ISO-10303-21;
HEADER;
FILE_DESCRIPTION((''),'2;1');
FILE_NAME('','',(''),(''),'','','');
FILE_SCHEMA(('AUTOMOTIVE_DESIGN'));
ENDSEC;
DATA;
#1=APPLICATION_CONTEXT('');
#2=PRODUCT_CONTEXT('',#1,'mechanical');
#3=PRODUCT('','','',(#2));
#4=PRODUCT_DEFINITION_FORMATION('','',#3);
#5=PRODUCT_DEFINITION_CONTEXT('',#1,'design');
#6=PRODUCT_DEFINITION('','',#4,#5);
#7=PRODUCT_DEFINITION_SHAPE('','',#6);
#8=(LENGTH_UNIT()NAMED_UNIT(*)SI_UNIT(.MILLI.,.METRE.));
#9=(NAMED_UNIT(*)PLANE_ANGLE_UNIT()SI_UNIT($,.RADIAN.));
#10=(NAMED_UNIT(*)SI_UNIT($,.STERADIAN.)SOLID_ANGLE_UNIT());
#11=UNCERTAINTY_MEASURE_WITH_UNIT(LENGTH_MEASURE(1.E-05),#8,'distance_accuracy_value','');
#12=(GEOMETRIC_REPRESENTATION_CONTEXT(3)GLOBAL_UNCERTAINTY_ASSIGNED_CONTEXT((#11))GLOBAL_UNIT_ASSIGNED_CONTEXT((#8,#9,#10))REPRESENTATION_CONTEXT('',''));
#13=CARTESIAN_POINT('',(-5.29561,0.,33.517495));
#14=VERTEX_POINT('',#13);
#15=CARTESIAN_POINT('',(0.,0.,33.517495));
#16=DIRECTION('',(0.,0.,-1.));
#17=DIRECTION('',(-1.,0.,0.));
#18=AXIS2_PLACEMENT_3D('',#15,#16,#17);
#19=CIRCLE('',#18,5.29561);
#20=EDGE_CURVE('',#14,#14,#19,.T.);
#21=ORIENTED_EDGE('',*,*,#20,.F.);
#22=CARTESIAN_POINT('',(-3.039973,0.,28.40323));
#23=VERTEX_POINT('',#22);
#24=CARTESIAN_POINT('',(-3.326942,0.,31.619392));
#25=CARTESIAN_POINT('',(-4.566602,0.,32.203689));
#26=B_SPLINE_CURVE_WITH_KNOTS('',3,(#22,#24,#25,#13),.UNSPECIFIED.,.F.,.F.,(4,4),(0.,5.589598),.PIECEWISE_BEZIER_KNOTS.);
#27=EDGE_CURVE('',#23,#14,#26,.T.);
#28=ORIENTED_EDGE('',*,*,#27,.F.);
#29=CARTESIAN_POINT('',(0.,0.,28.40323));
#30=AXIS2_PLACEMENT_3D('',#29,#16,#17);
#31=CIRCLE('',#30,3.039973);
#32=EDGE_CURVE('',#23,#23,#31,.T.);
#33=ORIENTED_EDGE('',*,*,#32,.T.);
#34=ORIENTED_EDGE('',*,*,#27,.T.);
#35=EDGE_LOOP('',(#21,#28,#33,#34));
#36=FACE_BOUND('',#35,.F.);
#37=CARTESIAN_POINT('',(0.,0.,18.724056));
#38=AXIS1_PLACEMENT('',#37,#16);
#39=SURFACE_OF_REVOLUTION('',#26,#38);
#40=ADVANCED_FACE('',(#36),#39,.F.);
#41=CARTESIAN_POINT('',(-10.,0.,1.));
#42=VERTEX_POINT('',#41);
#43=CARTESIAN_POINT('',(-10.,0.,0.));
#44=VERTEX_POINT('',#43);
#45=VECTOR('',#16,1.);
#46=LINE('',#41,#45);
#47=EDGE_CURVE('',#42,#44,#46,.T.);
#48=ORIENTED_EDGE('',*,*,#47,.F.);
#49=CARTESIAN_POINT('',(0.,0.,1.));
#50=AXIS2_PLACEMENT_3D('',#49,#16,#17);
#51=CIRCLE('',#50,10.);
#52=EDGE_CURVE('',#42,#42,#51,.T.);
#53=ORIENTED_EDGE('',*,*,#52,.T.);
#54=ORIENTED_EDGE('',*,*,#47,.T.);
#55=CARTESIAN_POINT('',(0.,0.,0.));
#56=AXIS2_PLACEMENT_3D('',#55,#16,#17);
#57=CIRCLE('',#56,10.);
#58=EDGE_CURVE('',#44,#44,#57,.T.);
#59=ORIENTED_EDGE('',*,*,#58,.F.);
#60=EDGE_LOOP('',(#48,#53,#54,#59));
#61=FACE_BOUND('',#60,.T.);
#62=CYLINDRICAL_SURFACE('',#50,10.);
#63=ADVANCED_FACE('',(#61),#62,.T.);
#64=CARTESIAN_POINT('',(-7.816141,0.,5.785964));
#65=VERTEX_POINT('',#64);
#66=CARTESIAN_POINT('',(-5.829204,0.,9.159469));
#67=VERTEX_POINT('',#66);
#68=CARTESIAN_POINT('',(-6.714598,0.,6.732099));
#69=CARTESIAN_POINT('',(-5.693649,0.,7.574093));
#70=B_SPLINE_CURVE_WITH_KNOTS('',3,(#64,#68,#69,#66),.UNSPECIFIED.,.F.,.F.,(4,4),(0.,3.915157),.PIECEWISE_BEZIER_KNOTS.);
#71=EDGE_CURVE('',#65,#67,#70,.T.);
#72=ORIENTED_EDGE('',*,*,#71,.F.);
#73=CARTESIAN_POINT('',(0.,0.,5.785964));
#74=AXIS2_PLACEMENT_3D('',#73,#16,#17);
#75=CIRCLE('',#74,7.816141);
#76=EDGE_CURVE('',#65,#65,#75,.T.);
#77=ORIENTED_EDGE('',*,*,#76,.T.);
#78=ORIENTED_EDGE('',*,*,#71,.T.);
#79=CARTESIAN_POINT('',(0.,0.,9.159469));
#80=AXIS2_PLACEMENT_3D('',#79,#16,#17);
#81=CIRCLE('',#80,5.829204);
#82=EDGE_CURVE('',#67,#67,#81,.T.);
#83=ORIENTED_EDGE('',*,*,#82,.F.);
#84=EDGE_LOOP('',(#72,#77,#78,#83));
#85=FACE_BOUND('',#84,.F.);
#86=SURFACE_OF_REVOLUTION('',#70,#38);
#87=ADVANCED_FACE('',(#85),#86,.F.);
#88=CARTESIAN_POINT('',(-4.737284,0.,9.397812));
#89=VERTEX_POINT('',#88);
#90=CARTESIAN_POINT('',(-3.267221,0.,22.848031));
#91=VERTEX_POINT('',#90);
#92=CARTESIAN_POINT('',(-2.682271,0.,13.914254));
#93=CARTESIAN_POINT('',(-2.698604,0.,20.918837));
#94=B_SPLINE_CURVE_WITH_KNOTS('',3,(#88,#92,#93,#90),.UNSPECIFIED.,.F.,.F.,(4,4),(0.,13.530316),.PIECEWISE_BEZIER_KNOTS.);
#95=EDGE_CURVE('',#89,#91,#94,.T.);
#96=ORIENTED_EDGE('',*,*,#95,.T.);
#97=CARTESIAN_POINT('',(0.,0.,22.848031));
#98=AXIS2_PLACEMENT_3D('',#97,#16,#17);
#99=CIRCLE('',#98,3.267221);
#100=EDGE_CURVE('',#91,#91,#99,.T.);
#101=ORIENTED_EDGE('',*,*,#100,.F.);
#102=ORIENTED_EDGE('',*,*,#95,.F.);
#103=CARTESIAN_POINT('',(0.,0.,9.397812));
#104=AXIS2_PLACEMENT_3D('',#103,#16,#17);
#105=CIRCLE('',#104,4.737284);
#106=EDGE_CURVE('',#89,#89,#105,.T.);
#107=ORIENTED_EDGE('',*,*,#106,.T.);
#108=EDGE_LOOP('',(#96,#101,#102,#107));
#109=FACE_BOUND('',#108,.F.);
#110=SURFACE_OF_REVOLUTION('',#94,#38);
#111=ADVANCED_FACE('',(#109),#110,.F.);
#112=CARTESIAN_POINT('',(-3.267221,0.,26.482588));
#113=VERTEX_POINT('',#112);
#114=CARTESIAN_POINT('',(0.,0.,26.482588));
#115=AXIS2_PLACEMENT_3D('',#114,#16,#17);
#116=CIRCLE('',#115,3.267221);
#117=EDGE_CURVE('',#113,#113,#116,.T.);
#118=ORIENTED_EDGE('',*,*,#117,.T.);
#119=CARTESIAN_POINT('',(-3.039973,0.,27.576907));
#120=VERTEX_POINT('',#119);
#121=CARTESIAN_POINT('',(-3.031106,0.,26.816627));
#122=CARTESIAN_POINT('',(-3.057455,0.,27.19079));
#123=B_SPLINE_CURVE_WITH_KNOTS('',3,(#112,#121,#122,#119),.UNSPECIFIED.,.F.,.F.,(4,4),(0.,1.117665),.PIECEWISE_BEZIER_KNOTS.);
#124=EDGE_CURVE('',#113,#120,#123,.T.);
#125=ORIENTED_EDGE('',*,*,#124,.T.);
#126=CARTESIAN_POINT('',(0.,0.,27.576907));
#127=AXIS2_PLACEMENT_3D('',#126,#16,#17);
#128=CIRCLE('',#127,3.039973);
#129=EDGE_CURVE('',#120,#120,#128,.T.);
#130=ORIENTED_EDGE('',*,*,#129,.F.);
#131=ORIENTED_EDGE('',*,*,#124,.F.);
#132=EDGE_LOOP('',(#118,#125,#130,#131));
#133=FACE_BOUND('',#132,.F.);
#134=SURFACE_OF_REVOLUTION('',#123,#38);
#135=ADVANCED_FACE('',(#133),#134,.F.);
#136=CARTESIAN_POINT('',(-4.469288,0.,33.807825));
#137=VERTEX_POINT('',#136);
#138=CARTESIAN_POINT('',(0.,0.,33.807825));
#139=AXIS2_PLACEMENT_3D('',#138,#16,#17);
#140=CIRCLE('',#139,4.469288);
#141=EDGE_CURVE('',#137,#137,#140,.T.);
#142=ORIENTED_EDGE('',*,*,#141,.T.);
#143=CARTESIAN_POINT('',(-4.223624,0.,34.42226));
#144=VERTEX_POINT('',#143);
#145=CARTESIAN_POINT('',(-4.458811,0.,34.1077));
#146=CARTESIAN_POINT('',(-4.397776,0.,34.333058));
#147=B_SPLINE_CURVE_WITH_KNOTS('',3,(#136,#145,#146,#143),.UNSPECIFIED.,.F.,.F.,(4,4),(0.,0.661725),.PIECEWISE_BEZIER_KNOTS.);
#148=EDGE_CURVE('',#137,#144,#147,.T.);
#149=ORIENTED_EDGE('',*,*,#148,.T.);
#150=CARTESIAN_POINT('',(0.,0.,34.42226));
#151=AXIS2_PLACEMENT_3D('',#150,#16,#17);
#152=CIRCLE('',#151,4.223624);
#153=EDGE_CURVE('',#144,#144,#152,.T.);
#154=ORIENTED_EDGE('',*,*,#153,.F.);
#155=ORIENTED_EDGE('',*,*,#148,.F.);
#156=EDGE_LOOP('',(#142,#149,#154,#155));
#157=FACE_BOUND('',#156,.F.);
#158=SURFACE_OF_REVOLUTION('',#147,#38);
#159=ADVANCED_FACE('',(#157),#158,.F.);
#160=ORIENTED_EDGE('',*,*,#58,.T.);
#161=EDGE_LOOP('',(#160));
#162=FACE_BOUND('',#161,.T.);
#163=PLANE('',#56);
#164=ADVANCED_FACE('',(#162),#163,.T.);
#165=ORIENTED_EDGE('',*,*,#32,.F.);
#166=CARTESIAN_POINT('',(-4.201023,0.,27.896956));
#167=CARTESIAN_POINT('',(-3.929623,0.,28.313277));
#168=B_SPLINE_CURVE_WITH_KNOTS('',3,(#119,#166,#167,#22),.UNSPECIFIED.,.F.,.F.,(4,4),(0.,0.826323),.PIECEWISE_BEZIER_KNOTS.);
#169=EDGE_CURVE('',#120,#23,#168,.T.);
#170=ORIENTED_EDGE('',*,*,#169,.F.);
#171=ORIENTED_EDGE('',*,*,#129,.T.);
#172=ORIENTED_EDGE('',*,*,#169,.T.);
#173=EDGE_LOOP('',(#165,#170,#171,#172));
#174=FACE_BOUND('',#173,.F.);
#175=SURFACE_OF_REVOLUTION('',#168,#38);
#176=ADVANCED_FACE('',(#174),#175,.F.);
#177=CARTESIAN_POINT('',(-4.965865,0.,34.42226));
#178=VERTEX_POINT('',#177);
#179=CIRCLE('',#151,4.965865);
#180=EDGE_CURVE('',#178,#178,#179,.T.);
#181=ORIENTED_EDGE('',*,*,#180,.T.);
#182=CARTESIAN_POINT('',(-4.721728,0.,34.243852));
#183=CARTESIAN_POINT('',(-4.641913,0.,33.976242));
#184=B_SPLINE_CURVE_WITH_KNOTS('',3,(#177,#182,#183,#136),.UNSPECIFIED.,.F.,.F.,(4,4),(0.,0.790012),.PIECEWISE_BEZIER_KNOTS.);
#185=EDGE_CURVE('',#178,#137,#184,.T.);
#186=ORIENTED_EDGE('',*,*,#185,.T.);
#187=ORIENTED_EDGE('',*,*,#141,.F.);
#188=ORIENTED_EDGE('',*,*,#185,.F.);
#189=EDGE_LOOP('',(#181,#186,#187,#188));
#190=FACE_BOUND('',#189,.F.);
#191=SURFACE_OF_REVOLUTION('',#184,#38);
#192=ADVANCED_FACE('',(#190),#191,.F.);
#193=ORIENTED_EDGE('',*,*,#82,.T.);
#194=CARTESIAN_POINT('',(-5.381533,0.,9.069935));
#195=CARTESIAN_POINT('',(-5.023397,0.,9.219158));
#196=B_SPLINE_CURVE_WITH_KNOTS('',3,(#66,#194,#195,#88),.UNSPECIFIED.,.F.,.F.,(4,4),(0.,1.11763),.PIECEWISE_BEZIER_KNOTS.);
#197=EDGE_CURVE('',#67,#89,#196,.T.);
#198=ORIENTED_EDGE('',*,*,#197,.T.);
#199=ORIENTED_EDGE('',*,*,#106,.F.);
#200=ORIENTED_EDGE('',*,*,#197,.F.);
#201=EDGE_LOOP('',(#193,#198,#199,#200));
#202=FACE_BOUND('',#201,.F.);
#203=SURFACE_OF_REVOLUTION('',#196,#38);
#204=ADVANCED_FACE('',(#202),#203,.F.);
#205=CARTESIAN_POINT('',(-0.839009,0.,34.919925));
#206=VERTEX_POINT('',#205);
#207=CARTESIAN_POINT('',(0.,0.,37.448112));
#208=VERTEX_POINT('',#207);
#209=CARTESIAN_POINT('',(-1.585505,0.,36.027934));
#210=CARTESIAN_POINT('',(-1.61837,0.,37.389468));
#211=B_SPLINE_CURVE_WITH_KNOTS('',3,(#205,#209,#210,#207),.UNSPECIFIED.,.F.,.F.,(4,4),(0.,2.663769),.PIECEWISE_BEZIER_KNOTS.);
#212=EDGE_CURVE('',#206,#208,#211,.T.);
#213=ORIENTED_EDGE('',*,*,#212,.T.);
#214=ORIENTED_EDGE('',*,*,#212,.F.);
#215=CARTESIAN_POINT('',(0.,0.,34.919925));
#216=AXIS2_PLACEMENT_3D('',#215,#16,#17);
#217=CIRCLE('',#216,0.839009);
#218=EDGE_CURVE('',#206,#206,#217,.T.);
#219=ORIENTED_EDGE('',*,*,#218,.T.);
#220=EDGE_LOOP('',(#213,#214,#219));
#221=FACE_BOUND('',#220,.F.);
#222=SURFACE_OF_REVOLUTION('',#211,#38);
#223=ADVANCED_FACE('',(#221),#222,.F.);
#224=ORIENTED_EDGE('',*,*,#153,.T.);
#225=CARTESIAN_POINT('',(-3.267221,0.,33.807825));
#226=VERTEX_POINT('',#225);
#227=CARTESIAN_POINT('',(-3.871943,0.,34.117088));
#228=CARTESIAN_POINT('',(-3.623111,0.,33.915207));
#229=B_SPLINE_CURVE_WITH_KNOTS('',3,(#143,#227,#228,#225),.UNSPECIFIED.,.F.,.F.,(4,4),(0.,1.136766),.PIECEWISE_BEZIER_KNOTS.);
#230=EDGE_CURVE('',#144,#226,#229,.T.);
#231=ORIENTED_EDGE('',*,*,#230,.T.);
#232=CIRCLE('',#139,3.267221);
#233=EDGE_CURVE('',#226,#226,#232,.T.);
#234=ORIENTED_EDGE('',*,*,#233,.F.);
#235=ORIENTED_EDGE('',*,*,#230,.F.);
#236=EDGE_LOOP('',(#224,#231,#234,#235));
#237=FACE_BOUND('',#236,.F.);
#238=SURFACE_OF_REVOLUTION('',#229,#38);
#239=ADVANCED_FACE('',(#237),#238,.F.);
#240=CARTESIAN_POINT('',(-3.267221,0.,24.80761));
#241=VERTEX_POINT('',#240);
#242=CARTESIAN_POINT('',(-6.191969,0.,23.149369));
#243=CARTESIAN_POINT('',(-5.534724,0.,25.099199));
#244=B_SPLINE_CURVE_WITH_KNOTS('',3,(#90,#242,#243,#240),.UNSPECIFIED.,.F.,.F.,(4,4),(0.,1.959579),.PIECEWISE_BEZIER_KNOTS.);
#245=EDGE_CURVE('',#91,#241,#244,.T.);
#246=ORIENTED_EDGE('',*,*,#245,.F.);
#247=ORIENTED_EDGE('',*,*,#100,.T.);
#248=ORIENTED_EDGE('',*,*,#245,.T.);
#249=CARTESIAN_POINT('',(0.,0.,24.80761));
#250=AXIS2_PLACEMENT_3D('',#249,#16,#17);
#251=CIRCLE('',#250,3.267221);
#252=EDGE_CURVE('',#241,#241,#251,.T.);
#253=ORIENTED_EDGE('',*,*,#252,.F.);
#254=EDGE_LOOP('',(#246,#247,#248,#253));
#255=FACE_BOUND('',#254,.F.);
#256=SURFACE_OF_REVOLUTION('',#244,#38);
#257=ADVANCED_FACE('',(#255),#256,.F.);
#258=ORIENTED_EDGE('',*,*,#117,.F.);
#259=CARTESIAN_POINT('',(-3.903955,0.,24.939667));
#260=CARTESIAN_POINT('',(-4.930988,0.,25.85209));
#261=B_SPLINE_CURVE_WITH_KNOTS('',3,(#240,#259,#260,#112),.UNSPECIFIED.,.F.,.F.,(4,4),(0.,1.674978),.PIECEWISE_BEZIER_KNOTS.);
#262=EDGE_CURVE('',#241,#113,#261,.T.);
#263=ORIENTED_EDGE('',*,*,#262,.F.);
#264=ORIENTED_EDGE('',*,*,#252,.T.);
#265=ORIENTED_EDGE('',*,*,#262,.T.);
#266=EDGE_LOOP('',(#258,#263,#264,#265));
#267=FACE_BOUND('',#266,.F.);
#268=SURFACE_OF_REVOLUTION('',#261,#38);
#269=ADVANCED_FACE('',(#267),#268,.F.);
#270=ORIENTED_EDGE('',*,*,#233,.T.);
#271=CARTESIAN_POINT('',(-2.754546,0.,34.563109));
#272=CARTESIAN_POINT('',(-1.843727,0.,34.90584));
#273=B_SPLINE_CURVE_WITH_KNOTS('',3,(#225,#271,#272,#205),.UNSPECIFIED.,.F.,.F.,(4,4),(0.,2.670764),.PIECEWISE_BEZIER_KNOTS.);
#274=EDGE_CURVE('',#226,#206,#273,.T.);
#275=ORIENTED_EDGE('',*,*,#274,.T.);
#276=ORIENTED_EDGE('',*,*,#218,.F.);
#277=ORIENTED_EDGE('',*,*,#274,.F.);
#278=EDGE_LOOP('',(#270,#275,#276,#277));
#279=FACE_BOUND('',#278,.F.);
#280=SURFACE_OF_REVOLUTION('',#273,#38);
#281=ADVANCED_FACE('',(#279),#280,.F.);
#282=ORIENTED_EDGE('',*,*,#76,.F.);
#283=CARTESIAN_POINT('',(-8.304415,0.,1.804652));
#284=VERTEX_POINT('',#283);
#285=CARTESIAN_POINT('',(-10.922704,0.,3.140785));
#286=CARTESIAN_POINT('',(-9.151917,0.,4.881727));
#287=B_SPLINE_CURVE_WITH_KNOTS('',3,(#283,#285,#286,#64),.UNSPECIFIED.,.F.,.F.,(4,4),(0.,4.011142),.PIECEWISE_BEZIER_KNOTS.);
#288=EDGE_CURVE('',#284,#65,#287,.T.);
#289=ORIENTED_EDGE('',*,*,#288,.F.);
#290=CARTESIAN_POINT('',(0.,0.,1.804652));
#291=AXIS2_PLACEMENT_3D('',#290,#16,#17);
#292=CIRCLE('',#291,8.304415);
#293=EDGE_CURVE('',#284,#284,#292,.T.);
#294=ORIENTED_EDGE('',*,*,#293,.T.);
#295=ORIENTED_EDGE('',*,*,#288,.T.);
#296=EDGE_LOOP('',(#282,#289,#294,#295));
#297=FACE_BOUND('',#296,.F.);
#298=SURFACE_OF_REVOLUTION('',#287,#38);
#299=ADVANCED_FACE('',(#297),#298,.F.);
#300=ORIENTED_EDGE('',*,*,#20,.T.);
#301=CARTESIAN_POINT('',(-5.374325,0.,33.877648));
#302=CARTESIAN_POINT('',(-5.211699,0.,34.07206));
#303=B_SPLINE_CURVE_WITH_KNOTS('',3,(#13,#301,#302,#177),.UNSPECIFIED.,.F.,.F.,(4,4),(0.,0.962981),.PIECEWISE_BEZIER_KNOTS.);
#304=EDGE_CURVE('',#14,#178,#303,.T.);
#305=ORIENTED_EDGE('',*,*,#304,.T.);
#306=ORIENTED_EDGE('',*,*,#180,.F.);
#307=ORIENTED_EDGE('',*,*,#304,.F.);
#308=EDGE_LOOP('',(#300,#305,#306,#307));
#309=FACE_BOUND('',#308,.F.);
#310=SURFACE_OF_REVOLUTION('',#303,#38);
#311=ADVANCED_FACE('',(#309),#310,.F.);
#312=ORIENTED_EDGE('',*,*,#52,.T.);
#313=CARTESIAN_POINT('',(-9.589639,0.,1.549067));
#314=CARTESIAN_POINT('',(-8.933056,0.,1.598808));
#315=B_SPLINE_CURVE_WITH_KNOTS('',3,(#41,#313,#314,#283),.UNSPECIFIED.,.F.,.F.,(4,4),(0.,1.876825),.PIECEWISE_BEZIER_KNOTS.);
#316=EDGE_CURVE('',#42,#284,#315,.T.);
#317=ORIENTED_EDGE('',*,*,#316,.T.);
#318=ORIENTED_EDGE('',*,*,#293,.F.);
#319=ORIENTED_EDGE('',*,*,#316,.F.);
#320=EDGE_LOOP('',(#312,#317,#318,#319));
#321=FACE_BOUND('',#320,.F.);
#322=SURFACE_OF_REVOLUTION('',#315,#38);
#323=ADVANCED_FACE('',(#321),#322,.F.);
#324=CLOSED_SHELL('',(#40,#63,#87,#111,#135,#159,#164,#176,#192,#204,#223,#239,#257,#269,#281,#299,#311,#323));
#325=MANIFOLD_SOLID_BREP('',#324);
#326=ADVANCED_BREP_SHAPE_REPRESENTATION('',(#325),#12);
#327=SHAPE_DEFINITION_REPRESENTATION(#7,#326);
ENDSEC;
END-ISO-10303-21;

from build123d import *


with BuildPart() as f1:
    # F0 (on Front) → F1 (revolve)
    with BuildSketch(Plane.XZ):
        with BuildLine():
            Line((-10, 0), (0, 0))
            Line((0, 0), (0, 37.448112))
            add(Edge.make_bspline(
                [(-0.839009, 34.919925), (-1.585505, 36.027934), (-1.61837, 37.389468), (0, 37.448112)],
                knots=[0, 0, 0, 0, 2.663769, 2.663769, 2.663769, 2.663769], degree=3))
            add(Edge.make_bspline(
                [(-3.267221, 33.807825), (-2.754546, 34.563109), (-1.843727, 34.90584), (-0.839009, 34.919925)],
                knots=[0, 0, 0, 0, 2.670764, 2.670764, 2.670764, 2.670764], degree=3))
            add(Edge.make_bspline(
                [(-4.223624, 34.42226), (-3.871943, 34.117088), (-3.623111, 33.915207), (-3.267221, 33.807825)],
                knots=[0, 0, 0, 0, 1.136766, 1.136766, 1.136766, 1.136766], degree=3))
            add(Edge.make_bspline(
                [(-4.469288, 33.807825), (-4.458811, 34.1077), (-4.397776, 34.333058), (-4.223624, 34.42226)],
                knots=[0, 0, 0, 0, 0.661725, 0.661725, 0.661725, 0.661725], degree=3))
            add(Edge.make_bspline(
                [(-4.965865, 34.42226), (-4.721728, 34.243852), (-4.641913, 33.976242), (-4.469288, 33.807825)],
                knots=[0, 0, 0, 0, 0.790012, 0.790012, 0.790012, 0.790012], degree=3))
            add(Edge.make_bspline(
                [(-5.29561, 33.517495), (-5.374325, 33.877648), (-5.211699, 34.07206), (-4.965865, 34.42226)],
                knots=[0, 0, 0, 0, 0.962981, 0.962981, 0.962981, 0.962981], degree=3))
            add(Edge.make_bspline(
                [(-3.039973, 28.40323), (-3.326942, 31.619392), (-4.566602, 32.203689), (-5.29561, 33.517495)],
                knots=[0, 0, 0, 0, 5.589598, 5.589598, 5.589598, 5.589598], degree=3))
            add(Edge.make_bspline(
                [(-3.039973, 27.576907), (-4.201023, 27.896956), (-3.929623, 28.313277), (-3.039973, 28.40323)],
                knots=[0, 0, 0, 0, 0.826323, 0.826323, 0.826323, 0.826323], degree=3))
            add(Edge.make_bspline(
                [(-3.267221, 26.482588), (-3.031106, 26.816627), (-3.057455, 27.19079), (-3.039973, 27.576907)],
                knots=[0, 0, 0, 0, 1.117665, 1.117665, 1.117665, 1.117665], degree=3))
            add(Edge.make_bspline(
                [(-3.267221, 24.80761), (-3.903955, 24.939667), (-4.930988, 25.85209), (-3.267221, 26.482588)],
                knots=[0, 0, 0, 0, 1.674978, 1.674978, 1.674978, 1.674978], degree=3))
            add(Edge.make_bspline(
                [(-3.267221, 22.848031), (-6.191969, 23.149369), (-5.534724, 25.099199), (-3.267221, 24.80761)],
                knots=[0, 0, 0, 0, 1.959579, 1.959579, 1.959579, 1.959579], degree=3))
            add(Edge.make_bspline(
                [(-4.737284, 9.397812), (-2.682271, 13.914254), (-2.698604, 20.918837), (-3.267221, 22.848031)],
                knots=[0, 0, 0, 0, 13.530316, 13.530316, 13.530316, 13.530316], degree=3))
            add(Edge.make_bspline(
                [(-5.829204, 9.159469), (-5.381533, 9.069935), (-5.023397, 9.219158), (-4.737284, 9.397812)],
                knots=[0, 0, 0, 0, 1.11763, 1.11763, 1.11763, 1.11763], degree=3))
            add(Edge.make_bspline(
                [(-7.816141, 5.785964), (-6.714598, 6.732099), (-5.693649, 7.574093), (-5.829204, 9.159469)],
                knots=[0, 0, 0, 0, 3.915157, 3.915157, 3.915157, 3.915157], degree=3))
            add(Edge.make_bspline(
                [(-8.304415, 1.804652), (-10.922704, 3.140785), (-9.151917, 4.881727), (-7.816141, 5.785964)],
                knots=[0, 0, 0, 0, 4.011142, 4.011142, 4.011142, 4.011142], degree=3))
            add(Edge.make_bspline(
                [(-10, 1), (-9.589639, 1.549067), (-8.933056, 1.598808), (-8.304415, 1.804652)],
                knots=[0, 0, 0, 0, 1.876825, 1.876825, 1.876825, 1.876825], degree=3))
            Line((-10, 1), (-10, 0))
        make_face()
    revolve(axis=Axis((0, 0, 18.724056), (0, 0, -1)))


solid = f1.part
